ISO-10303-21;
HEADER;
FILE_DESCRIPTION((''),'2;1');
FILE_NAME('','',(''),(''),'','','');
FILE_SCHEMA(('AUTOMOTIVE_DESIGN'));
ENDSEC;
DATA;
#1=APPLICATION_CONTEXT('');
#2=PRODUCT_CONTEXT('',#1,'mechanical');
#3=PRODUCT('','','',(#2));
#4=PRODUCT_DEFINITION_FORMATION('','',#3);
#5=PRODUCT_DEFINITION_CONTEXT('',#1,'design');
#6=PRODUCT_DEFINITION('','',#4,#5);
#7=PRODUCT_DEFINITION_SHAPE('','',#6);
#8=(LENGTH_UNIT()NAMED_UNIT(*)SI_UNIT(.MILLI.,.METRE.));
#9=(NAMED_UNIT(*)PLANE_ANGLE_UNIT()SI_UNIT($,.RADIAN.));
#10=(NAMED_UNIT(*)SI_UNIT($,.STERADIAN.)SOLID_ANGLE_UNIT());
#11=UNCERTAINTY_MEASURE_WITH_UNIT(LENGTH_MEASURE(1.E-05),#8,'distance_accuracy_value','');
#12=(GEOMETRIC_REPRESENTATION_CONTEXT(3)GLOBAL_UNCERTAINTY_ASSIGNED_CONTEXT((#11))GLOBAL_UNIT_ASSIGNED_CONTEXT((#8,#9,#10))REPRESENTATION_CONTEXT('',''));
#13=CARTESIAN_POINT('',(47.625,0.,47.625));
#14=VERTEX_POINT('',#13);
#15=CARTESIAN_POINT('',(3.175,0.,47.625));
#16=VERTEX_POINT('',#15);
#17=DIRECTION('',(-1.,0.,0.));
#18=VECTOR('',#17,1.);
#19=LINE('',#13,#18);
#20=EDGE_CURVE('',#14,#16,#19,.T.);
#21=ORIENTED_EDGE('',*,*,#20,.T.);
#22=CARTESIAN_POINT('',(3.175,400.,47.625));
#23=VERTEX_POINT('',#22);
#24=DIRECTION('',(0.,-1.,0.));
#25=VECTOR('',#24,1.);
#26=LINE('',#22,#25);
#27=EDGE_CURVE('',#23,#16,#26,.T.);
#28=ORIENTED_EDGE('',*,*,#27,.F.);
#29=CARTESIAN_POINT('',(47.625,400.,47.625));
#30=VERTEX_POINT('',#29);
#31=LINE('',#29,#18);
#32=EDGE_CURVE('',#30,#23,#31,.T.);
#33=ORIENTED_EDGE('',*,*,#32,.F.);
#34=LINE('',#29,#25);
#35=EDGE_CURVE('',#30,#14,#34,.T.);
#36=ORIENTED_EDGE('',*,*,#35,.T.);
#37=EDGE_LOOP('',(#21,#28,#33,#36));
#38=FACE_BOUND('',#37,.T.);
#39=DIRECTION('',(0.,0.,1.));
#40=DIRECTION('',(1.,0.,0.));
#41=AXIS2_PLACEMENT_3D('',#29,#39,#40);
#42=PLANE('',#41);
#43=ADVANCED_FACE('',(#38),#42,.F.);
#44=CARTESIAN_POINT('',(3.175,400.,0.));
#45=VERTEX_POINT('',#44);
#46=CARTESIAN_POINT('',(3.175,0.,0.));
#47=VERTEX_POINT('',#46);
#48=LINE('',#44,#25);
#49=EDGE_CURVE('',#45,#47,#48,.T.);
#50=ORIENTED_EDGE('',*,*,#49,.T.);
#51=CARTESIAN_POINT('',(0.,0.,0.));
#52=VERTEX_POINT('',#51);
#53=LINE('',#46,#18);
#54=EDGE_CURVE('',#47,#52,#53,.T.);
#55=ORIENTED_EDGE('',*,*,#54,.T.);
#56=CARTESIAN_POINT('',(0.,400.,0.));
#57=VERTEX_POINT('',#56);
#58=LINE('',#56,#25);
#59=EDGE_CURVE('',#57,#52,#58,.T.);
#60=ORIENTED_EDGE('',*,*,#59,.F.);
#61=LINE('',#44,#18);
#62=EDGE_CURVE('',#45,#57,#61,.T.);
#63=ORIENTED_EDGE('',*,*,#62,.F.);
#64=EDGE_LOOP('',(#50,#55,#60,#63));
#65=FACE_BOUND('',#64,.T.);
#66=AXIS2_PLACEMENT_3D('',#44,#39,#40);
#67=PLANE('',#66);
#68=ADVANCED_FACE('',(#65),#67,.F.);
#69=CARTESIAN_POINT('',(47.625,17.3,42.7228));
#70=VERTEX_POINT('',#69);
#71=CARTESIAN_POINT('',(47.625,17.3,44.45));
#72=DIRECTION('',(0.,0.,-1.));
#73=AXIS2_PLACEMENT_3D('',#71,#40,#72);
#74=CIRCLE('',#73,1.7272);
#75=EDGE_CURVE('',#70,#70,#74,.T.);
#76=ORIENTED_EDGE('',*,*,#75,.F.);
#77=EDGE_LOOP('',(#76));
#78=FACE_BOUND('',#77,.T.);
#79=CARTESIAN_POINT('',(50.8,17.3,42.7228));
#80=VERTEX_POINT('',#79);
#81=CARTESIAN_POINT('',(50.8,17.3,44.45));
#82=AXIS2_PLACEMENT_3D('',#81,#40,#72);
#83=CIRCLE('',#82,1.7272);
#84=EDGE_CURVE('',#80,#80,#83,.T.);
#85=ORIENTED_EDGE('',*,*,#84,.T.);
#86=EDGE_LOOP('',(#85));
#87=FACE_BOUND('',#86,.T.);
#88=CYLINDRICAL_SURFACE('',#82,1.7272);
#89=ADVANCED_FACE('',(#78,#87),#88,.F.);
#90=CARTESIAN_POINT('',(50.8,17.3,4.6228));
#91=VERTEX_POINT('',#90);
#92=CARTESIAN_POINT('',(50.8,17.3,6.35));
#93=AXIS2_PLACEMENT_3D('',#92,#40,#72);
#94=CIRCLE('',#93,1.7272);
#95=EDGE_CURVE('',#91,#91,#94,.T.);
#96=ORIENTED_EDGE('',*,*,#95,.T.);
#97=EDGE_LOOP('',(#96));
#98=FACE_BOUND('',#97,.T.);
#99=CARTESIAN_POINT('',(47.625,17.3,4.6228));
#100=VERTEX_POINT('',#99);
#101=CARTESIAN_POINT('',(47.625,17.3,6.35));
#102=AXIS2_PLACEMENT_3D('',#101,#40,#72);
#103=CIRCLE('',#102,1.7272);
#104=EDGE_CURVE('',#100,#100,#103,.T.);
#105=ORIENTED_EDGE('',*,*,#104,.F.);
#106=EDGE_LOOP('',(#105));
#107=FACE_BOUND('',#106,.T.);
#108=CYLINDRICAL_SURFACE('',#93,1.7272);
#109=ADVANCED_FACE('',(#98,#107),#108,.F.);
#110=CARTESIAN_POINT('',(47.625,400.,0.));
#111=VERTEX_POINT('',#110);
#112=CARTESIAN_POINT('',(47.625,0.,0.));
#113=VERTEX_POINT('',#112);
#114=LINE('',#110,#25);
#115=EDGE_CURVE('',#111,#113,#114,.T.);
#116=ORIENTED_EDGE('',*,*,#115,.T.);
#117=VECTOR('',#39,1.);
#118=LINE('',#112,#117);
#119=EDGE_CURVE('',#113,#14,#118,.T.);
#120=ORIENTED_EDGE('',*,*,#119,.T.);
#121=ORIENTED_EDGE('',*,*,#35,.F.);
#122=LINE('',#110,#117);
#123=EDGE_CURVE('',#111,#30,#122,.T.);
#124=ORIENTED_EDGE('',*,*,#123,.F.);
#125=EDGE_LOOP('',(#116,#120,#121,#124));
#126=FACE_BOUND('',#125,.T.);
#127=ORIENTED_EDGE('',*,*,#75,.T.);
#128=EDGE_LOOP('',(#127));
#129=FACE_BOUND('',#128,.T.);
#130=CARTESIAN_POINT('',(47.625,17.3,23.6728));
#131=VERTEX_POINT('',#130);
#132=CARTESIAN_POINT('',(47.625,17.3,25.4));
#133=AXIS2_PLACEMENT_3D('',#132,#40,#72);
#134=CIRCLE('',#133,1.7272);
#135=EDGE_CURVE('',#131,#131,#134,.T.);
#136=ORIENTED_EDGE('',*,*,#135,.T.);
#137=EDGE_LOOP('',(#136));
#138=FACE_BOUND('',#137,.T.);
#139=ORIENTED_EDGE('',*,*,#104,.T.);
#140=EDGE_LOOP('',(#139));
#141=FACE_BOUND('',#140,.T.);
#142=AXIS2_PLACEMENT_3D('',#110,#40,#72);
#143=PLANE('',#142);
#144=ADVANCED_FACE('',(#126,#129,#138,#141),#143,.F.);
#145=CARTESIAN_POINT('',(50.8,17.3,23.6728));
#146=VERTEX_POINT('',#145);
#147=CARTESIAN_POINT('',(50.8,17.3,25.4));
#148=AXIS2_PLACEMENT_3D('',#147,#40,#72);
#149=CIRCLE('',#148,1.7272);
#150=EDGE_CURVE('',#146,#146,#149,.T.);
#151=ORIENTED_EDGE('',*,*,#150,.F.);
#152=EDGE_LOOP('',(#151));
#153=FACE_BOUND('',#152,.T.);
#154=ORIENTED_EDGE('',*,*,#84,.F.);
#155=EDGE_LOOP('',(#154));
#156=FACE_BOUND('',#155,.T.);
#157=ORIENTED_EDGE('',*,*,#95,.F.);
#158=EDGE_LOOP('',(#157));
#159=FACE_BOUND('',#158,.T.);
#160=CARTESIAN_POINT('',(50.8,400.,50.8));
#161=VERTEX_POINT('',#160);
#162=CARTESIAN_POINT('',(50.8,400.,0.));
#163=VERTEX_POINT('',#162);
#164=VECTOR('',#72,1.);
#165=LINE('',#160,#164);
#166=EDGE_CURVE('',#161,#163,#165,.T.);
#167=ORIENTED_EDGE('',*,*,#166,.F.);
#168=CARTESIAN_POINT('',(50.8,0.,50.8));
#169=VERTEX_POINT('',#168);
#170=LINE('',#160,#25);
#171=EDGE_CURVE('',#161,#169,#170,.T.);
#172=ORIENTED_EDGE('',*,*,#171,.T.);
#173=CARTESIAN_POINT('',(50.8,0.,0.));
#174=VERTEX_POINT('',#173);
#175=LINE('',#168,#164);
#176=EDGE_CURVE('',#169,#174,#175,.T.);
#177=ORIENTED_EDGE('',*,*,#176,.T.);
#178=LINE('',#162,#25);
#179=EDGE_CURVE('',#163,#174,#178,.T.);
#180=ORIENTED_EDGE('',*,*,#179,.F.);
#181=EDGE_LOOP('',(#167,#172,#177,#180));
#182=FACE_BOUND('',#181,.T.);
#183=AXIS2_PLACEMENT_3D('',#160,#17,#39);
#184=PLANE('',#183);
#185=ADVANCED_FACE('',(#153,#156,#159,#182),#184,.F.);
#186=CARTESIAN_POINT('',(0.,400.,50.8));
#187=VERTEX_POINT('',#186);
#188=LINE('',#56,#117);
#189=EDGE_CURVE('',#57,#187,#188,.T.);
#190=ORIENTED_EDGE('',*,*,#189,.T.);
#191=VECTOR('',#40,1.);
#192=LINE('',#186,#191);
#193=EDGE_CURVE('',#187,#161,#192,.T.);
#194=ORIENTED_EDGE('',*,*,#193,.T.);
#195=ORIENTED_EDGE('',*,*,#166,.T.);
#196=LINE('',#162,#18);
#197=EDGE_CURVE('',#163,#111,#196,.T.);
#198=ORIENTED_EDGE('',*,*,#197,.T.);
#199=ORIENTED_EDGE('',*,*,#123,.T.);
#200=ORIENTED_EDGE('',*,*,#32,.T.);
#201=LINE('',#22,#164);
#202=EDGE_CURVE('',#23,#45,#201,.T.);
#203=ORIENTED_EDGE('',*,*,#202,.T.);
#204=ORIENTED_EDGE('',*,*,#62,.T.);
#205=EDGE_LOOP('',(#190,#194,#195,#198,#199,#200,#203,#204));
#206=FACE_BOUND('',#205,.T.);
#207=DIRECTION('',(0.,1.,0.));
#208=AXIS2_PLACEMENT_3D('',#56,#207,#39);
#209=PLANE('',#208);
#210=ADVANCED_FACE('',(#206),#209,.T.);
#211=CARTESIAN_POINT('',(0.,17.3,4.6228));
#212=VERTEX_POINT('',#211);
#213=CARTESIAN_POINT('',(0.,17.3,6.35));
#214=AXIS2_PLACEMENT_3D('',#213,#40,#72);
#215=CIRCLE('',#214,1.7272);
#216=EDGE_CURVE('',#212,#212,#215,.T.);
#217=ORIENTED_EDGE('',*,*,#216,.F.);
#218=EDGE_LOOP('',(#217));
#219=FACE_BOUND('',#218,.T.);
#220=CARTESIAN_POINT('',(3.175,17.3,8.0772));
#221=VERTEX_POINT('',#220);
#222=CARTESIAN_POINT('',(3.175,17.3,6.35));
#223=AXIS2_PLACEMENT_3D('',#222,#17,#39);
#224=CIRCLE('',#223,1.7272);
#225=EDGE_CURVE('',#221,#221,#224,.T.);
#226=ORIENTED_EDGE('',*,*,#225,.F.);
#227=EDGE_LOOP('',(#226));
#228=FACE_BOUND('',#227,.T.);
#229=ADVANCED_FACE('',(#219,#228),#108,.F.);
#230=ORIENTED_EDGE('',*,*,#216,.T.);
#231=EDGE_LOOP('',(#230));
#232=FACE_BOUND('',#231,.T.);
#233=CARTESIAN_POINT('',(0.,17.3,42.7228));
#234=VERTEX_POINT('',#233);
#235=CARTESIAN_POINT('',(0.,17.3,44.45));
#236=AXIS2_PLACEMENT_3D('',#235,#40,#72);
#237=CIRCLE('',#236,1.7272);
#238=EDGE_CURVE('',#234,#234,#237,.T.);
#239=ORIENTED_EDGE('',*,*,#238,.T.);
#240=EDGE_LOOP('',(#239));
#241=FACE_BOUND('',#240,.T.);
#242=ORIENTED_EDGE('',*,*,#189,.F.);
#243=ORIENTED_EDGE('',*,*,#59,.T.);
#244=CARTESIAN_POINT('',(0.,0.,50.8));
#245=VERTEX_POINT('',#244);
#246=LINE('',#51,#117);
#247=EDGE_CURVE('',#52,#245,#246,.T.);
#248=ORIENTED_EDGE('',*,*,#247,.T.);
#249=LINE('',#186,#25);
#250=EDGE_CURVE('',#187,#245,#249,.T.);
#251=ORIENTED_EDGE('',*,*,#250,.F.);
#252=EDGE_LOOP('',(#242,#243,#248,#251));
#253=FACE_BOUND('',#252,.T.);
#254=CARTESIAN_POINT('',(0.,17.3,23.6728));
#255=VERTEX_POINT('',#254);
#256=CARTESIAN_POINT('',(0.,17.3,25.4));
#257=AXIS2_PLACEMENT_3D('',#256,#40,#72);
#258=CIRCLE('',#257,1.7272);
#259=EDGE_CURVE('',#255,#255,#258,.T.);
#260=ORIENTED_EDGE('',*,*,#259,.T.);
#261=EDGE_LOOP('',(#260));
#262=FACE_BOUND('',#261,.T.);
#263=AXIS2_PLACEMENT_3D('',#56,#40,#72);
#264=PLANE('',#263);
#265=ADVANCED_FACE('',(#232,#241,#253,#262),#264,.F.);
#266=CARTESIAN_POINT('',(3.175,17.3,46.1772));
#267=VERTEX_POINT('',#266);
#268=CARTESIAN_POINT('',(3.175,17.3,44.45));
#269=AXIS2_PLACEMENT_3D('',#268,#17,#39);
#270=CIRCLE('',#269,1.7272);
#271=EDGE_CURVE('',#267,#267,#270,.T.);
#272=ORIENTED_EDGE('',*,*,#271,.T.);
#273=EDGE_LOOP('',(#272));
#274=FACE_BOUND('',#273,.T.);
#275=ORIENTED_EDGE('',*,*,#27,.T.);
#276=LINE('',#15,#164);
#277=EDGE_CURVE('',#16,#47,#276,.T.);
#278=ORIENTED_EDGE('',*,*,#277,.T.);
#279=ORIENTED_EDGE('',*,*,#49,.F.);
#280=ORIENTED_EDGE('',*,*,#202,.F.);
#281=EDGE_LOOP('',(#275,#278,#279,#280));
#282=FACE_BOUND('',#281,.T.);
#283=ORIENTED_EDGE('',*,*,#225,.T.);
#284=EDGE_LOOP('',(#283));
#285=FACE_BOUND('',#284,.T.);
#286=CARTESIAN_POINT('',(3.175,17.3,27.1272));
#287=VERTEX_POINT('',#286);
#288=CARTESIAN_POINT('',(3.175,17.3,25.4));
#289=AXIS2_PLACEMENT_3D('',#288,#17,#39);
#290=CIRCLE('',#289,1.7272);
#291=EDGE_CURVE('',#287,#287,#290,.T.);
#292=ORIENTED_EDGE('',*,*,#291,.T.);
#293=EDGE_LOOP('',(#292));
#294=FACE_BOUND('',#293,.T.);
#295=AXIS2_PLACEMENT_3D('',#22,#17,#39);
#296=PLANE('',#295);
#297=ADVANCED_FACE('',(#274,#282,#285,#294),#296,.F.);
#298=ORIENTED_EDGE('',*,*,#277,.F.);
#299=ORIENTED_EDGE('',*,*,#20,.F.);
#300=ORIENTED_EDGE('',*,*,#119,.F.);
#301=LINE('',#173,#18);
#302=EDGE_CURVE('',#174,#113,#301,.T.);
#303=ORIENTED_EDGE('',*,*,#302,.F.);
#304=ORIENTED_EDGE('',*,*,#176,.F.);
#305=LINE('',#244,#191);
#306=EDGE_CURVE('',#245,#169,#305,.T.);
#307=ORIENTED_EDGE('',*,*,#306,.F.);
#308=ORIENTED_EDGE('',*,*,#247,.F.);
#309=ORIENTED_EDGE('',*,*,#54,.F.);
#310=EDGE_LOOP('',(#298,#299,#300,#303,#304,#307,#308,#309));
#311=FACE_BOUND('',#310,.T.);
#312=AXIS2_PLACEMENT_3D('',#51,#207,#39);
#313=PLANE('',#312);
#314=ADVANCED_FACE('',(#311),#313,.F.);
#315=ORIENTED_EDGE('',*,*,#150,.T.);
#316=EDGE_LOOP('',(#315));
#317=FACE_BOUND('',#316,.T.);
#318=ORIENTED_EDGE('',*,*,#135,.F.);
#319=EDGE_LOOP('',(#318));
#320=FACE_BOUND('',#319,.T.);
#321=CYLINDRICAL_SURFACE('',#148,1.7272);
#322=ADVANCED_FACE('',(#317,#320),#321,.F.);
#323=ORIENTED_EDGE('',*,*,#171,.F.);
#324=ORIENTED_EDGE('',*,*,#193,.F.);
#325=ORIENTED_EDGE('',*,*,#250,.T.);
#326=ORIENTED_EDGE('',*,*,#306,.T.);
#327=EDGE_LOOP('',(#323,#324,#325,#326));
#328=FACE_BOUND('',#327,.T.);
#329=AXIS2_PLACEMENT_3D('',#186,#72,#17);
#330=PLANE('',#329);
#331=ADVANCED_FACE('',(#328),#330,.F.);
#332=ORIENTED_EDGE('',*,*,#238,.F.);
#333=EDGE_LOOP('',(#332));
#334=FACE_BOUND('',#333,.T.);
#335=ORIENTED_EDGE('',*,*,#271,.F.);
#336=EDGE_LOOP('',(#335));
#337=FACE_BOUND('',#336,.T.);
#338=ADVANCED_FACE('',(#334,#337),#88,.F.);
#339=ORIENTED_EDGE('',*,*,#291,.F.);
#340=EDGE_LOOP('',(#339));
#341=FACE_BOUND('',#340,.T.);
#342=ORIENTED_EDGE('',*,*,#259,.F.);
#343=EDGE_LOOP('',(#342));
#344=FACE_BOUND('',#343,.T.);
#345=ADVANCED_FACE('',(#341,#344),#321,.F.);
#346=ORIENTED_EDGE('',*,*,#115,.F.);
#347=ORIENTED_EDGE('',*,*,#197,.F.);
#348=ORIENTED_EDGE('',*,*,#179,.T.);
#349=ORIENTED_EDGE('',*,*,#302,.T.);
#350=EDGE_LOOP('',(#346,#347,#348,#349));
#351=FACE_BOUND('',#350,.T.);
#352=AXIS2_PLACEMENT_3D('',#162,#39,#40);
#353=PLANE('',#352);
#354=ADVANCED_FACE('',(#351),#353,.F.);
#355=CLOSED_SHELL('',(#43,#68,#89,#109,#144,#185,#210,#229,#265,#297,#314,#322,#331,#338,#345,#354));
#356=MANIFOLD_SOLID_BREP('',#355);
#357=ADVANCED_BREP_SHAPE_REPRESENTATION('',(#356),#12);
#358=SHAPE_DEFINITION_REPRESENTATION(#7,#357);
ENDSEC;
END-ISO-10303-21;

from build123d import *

# Parameters (mm, degrees)
BOSS_EXTRUDE1_DEPTH       = 400
TAP_DRILL_FOR_8_32_TAP1_D = 3.4544


with BuildPart() as part:
    # Sketch1 → Boss-Extrude1 (new body)
    with BuildSketch(Plane(origin=(0, 0, 0), x_dir=(1, 0, 0), z_dir=(0, 1, 0))):
        Polygon((0, 0), (0, -50.8), (50.8, -50.8), (50.8, 0), (47.625, 0), (47.625, -47.625), (3.175, -47.625), (3.175, 0), align=None)
    extrude(amount=BOSS_EXTRUDE1_DEPTH)

    # Tap Drill for #8-32 Tap1 (through all)
    with Locations(Plane(origin=(50.8, 0, 0), x_dir=(0, 0, -1), z_dir=(1, 0, 0))):
        with Locations((-44.45, 17.3), (-25.4, 17.3), (-6.35, 17.3)):
            Hole(TAP_DRILL_FOR_8_32_TAP1_D / 2)


solid = part.part
